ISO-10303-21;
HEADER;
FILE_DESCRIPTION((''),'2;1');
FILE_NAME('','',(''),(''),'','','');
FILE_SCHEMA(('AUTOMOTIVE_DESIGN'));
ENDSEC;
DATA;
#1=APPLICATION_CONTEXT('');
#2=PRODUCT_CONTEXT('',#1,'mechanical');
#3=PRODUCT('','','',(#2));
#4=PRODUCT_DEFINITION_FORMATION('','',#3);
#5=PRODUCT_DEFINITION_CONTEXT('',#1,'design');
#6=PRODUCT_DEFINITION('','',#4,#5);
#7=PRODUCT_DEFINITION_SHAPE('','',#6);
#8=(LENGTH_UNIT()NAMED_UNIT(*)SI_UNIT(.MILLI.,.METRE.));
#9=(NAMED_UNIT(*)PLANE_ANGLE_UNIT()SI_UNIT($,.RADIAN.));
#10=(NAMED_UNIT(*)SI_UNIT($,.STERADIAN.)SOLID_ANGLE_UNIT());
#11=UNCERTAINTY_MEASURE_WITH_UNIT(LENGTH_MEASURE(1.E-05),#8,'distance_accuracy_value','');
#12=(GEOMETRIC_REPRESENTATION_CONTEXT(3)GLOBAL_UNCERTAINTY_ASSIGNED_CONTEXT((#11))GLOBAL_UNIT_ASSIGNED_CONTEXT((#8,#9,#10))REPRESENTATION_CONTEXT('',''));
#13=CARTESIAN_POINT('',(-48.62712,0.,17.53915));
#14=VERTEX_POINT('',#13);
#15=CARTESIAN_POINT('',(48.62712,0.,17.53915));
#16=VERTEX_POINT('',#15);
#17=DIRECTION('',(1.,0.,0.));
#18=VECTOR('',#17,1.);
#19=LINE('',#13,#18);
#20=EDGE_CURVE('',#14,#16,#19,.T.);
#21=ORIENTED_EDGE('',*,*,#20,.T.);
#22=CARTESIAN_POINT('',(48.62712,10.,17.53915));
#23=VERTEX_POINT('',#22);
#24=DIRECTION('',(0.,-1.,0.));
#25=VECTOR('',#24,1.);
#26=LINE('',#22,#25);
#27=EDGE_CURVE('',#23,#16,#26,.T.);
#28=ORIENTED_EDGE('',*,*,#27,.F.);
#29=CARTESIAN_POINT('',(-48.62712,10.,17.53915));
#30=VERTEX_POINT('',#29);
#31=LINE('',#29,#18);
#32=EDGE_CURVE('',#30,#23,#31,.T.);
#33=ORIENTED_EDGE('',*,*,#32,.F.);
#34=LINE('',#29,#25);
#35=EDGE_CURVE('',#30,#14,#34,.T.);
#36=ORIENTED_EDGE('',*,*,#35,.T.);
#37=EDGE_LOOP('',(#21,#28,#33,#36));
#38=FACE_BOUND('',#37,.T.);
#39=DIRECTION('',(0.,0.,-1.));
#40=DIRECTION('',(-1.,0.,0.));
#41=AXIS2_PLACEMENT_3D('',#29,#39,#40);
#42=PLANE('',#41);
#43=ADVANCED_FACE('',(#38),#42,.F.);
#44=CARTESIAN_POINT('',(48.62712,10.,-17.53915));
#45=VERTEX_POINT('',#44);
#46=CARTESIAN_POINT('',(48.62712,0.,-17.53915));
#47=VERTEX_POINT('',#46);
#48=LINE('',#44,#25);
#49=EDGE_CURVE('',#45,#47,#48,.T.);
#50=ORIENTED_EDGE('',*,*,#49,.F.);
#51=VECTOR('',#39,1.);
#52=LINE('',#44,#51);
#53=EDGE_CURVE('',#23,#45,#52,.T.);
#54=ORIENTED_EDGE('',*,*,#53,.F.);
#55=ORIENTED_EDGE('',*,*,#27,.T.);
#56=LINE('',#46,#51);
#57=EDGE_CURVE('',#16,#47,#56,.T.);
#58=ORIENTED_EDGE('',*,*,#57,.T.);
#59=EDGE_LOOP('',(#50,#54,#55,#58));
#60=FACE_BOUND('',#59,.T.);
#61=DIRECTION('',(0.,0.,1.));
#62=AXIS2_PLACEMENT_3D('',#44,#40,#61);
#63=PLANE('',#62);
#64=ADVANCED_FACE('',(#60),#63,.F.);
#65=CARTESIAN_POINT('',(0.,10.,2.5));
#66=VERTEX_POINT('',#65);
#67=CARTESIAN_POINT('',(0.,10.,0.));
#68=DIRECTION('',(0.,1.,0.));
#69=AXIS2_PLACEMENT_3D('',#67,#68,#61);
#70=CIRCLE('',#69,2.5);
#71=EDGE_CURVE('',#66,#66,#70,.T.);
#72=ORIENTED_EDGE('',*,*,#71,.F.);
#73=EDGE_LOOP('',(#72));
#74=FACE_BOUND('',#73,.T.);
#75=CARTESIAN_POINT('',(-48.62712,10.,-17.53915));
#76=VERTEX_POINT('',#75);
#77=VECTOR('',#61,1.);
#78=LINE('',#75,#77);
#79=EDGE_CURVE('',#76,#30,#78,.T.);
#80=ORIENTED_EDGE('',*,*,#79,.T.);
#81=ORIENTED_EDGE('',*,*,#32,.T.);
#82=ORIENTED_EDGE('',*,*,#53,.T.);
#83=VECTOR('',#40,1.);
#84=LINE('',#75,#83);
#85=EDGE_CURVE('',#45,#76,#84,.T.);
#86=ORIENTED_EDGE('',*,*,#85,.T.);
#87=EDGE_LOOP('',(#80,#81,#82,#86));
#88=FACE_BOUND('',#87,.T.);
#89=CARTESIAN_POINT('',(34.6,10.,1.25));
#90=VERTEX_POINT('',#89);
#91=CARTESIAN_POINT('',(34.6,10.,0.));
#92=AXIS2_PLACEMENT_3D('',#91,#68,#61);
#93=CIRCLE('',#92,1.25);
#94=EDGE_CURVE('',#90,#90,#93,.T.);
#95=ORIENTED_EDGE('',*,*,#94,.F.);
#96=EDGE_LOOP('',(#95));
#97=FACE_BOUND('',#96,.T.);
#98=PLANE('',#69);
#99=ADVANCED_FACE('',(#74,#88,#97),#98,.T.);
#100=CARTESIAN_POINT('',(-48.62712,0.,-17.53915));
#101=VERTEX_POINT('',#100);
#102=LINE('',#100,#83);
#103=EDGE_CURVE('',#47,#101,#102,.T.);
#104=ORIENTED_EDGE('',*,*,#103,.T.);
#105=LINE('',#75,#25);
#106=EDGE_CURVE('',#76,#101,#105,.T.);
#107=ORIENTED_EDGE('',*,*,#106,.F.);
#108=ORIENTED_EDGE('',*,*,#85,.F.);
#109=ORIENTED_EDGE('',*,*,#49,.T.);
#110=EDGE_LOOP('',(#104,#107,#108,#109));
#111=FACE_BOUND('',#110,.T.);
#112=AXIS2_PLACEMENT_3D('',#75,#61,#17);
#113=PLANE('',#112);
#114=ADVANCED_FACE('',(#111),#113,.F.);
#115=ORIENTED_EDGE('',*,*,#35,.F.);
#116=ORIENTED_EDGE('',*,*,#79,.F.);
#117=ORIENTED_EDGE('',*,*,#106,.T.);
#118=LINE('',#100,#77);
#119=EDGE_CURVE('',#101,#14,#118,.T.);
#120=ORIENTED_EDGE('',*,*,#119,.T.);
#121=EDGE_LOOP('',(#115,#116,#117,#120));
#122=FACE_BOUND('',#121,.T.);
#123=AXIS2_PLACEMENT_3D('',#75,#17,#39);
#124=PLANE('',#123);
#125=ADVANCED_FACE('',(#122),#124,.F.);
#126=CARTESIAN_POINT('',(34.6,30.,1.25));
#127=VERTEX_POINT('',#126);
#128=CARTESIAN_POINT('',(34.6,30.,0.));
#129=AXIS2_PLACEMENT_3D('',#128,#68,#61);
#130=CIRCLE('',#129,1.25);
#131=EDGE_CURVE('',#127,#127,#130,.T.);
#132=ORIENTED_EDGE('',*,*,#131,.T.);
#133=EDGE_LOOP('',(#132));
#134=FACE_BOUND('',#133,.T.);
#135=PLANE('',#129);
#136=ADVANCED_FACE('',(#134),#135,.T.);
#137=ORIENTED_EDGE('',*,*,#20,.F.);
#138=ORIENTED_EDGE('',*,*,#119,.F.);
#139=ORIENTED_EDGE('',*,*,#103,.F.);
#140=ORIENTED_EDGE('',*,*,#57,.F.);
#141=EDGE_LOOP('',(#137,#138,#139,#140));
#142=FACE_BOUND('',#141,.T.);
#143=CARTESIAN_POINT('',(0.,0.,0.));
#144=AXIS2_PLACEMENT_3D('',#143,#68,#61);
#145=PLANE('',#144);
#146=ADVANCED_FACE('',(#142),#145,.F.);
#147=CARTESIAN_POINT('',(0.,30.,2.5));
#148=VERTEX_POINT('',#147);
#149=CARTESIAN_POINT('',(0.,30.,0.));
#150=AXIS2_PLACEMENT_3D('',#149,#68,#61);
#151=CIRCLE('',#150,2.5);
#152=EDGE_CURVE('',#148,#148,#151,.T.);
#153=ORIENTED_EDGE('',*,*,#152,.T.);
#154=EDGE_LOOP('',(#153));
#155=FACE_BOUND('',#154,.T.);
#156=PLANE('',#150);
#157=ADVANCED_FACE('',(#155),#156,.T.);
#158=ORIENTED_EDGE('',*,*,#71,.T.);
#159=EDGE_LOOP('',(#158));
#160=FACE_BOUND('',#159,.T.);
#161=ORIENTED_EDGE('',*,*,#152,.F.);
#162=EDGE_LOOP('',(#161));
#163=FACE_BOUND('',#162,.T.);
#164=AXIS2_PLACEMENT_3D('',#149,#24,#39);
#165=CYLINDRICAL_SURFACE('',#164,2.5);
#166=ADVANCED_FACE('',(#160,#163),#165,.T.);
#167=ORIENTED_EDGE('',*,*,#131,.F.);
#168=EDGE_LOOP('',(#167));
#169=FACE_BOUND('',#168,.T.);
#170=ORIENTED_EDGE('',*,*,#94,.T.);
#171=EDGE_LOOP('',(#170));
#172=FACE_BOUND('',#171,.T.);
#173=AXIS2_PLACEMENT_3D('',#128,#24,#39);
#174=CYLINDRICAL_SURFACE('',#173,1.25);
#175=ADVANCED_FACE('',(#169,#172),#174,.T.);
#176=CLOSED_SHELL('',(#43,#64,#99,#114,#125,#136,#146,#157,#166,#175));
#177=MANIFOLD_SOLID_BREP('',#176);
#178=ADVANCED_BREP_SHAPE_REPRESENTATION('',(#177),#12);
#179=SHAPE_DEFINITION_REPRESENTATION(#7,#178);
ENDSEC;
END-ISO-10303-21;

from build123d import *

# Parameters (mm, degrees)
SKETCH_1_W      = 97.254240192
SKETCH_1_H      = 35.07830086
EXTRUDE_1_DEPTH = 10
SKETCH_2_R      = 2.5
SKETCH_2_R_2    = 1.25
EXTRUDE_2_DEPTH = 20


with BuildPart() as part:
    # 草圖1 → 填料-伸長1 (new body)
    with BuildSketch(Plane(origin=(0, 0, 0), x_dir=(1, 0, 0), z_dir=(0, 1, 0))):
        Rectangle(SKETCH_1_W, SKETCH_1_H)
    extrude(amount=EXTRUDE_1_DEPTH)

    # 草圖2 → 填料-伸長2 (add)
    with BuildSketch(Plane(origin=(0, 10, 0), x_dir=(1, 0, 0), z_dir=(0, 1, 0))):
        with Locations(Location((0, 0, 0), (0, 0, 270))):
            Circle(SKETCH_2_R)
        with Locations(Location((34.6, 0, 0), (0, 0, 270))):
            Circle(SKETCH_2_R_2)
    extrude(amount=EXTRUDE_2_DEPTH)


solid = part.part
